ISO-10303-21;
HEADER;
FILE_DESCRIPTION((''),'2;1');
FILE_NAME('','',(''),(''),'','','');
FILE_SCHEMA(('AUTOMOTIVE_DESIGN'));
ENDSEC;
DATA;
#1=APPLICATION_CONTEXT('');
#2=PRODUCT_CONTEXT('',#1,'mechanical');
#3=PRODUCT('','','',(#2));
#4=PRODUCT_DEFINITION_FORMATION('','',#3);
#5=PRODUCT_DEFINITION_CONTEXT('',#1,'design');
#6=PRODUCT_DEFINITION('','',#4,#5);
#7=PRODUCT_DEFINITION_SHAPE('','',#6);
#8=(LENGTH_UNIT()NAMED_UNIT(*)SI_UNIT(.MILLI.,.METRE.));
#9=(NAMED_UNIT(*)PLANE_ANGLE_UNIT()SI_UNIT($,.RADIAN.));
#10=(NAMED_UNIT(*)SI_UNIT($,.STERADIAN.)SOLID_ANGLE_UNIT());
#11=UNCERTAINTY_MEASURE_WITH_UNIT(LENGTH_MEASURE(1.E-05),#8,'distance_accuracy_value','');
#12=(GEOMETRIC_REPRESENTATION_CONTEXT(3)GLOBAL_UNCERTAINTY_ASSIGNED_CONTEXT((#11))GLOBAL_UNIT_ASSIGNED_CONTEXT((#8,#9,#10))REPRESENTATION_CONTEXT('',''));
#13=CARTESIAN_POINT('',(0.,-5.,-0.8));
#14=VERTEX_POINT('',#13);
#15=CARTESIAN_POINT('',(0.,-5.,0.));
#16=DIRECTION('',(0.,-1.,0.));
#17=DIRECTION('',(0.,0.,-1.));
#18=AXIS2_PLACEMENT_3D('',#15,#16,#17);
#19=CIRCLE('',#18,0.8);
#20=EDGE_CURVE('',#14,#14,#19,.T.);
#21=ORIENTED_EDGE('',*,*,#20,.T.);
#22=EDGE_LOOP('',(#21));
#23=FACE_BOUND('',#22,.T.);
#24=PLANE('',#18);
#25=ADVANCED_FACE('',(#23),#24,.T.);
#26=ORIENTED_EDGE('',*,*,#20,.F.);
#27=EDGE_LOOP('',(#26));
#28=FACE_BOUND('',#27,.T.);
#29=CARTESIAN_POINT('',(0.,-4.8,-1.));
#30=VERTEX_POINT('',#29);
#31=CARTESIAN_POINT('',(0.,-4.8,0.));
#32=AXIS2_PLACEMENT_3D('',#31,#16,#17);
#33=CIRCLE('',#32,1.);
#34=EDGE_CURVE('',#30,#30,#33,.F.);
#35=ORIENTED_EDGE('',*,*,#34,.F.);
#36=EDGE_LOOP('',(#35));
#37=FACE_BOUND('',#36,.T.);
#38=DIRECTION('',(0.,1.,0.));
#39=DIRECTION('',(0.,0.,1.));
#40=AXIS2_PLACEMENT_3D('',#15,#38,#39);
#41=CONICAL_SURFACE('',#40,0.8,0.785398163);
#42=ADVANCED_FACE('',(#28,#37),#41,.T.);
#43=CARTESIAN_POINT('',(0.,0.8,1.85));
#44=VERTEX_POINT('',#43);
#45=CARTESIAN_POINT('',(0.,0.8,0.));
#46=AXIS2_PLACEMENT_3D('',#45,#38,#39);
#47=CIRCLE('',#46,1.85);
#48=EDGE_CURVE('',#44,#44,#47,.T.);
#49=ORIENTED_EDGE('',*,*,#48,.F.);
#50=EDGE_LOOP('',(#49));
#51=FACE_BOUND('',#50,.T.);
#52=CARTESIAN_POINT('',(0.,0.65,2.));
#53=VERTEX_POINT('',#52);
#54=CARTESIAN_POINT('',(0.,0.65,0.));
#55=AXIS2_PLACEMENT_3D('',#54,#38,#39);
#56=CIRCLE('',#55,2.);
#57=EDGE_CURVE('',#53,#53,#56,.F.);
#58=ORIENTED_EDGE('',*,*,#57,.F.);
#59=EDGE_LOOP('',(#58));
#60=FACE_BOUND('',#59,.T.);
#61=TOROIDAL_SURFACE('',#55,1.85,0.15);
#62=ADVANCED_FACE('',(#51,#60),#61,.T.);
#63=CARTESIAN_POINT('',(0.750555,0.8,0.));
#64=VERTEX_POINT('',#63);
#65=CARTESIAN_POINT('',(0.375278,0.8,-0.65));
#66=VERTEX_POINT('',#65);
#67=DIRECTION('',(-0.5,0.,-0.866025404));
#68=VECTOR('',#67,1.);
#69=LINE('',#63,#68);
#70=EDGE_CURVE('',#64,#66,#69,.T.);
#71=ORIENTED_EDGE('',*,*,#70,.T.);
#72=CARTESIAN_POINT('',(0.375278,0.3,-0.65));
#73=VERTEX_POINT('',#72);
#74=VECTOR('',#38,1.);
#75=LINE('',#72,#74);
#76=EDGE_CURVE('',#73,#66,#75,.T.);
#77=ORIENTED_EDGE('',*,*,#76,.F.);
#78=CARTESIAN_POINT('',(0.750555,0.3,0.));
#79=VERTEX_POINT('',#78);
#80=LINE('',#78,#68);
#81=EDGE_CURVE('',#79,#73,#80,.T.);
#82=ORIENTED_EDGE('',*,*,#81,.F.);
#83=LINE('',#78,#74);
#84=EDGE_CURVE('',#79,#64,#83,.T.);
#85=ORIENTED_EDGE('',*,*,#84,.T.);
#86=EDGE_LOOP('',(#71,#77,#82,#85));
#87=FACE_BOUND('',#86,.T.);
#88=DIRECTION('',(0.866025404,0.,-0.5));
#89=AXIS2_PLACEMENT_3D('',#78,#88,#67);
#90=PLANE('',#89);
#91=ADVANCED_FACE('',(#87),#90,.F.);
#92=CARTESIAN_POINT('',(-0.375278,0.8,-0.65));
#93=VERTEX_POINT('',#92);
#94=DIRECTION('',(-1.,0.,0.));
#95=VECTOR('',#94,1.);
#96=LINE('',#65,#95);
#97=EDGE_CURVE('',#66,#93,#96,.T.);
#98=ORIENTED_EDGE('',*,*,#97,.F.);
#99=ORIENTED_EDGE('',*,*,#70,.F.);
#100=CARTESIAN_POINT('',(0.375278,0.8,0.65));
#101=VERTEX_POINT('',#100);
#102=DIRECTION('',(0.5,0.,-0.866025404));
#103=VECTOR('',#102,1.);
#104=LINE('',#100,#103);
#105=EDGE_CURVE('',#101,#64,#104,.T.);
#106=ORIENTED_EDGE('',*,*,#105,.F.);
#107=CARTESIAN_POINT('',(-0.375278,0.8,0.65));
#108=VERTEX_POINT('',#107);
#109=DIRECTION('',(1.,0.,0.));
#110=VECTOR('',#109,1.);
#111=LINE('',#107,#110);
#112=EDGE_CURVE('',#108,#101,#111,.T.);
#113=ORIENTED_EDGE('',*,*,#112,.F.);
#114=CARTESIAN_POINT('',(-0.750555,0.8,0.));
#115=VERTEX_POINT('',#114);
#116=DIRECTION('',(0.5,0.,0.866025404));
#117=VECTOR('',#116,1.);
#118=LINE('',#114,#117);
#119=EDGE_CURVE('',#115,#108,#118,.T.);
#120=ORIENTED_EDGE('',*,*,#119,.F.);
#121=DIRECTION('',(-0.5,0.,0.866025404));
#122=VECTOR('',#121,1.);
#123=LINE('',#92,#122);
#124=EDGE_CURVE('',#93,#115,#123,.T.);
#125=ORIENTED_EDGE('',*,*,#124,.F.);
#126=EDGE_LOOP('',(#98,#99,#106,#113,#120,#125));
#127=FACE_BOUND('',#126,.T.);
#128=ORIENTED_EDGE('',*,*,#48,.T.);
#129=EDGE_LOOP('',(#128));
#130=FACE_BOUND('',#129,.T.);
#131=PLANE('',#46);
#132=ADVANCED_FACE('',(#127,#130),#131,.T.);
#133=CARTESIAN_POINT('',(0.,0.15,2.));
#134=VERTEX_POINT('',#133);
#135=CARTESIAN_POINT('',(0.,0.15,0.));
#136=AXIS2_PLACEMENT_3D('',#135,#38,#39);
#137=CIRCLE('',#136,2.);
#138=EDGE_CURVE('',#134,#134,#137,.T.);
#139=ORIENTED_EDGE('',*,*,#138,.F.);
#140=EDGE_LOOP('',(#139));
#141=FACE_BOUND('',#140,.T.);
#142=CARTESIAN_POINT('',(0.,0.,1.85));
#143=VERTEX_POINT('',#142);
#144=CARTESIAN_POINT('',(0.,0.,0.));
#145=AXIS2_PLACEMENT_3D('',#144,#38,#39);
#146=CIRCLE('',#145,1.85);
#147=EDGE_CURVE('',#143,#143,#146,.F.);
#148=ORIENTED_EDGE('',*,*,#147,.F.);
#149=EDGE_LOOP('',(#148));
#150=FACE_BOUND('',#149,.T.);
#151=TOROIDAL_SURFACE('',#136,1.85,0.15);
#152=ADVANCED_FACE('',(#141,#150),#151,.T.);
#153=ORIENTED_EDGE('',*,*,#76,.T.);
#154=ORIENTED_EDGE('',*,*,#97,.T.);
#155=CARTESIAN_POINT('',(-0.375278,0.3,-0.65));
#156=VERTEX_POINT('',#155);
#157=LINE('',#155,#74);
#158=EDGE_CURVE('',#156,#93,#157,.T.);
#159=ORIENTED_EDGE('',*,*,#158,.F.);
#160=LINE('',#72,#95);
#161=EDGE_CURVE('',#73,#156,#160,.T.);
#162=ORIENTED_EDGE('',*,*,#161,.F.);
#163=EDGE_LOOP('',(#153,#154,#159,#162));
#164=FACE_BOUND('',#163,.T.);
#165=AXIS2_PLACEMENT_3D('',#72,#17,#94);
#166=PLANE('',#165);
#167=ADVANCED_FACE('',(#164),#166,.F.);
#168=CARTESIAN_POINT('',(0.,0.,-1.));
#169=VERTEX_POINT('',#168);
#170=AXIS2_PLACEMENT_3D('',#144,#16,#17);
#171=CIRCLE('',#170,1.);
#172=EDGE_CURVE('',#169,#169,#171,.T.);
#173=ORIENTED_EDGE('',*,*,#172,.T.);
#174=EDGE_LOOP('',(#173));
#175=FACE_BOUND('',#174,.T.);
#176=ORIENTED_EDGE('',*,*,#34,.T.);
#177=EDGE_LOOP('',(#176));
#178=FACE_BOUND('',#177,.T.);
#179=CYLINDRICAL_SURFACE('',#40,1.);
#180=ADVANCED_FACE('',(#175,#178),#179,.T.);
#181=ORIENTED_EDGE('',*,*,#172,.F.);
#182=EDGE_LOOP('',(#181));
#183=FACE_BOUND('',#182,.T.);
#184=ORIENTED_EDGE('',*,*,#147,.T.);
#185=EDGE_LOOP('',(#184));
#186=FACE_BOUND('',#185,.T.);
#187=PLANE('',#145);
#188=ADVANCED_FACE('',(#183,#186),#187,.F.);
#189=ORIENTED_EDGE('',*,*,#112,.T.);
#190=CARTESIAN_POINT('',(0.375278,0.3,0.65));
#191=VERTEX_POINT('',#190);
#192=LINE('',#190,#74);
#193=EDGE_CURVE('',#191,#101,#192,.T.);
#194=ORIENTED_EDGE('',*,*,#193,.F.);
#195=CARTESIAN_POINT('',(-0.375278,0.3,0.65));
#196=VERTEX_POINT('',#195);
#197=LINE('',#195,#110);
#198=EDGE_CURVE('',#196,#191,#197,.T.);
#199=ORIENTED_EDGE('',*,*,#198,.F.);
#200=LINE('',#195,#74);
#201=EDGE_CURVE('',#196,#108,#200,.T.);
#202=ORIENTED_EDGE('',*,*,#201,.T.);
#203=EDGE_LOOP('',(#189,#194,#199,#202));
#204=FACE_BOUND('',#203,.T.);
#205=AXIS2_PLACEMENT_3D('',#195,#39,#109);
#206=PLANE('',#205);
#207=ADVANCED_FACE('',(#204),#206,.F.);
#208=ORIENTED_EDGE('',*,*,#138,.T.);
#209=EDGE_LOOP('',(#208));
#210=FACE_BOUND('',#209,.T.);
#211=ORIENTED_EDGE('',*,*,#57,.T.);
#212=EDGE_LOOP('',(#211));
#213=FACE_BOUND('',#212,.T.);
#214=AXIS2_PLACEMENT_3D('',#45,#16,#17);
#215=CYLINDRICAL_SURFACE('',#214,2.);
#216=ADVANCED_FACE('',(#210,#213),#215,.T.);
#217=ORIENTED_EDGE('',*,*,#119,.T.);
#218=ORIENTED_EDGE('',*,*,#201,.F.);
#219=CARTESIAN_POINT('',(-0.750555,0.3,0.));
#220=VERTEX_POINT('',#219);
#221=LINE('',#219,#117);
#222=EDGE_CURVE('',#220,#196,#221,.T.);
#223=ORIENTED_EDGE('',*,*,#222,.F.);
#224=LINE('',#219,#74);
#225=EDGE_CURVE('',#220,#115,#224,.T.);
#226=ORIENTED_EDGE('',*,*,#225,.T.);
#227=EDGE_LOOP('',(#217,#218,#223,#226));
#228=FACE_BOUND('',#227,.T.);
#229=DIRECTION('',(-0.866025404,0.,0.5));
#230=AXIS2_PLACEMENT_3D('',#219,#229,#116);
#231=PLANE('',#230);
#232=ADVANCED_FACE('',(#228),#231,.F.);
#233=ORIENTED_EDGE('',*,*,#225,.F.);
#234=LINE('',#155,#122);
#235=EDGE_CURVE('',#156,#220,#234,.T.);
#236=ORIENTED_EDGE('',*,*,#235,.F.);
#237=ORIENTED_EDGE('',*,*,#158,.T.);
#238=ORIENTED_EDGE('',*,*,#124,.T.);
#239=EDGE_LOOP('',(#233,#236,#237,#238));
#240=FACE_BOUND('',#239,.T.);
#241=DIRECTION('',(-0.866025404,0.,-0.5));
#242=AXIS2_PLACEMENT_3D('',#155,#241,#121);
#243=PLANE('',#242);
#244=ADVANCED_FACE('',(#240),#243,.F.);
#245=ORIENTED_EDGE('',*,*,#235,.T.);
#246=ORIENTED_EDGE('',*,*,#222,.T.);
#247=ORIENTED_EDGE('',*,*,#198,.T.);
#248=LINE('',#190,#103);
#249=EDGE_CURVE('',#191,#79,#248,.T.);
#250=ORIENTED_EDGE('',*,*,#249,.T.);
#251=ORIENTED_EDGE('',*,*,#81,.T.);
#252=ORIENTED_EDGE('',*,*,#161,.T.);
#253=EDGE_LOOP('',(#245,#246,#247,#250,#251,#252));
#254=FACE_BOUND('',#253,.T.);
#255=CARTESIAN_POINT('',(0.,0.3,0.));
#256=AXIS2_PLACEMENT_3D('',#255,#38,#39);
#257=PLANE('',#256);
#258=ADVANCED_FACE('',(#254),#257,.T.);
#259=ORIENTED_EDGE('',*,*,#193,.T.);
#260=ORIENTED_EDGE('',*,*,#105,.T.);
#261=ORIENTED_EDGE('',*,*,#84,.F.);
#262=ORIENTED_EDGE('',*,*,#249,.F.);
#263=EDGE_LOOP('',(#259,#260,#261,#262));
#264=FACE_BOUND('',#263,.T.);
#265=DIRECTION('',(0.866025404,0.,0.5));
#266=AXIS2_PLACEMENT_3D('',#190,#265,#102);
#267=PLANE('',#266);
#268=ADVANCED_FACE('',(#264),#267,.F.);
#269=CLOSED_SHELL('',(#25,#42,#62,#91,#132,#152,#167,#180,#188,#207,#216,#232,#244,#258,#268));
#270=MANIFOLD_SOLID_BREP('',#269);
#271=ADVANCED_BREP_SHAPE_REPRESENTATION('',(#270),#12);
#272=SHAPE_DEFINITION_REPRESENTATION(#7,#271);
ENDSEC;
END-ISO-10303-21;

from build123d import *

# Parameters (mm, degrees)
SKETCH_1_R          = 2
EXTRUDE_1_DEPTH     = 0.8
SKETCH_2_R          = 1
EXTRUDE_2_DEPTH     = 5
FILLET_1_R          = 0.15
CHAMFER_1_SIZE      = 0.2
CUT_EXTRUDE_1_DEPTH = 0.5


with BuildPart() as part:
    # 草图1 → 凸台-拉伸1 (new body)
    with BuildSketch(Plane(origin=(0, 0, 0), x_dir=(1, 0, 0), z_dir=(0, 1, 0))):
        Circle(SKETCH_1_R)
    extrude(amount=EXTRUDE_1_DEPTH)

    # 草图2 → 凸台-拉伸2 (add)
    with BuildSketch(Plane.XZ):
        Circle(SKETCH_2_R)
    extrude(amount=EXTRUDE_2_DEPTH)

    # 圆角1
    fillet_1_edges = [part.edges().sort_by_distance(p)[0] for p in [
        (-2, 0, 0),
        (-2, 0.8, 0),
    ]]
    fillet(fillet_1_edges, radius=FILLET_1_R)

    # 倒角1
    chamfer_1_edges = [part.edges().sort_by_distance(p)[0] for p in [
        (-1, -5, 0),
    ]]
    chamfer(chamfer_1_edges, length=CHAMFER_1_SIZE)

    # 草图3 → 切除-拉伸1 (cut)
    with BuildSketch(Plane(origin=(0, 0.8, 0), x_dir=(1, 0, 0), z_dir=(0, 1, 0))):
        Polygon((0.75055535, 0), (0.375277675, 0.65), (-0.375277675, 0.65), (-0.75055535, 0), (-0.375277675, -0.65), (0.375277675, -0.65), align=None)
    extrude(amount=-CUT_EXTRUDE_1_DEPTH, mode=Mode.SUBTRACT)


solid = part.part
